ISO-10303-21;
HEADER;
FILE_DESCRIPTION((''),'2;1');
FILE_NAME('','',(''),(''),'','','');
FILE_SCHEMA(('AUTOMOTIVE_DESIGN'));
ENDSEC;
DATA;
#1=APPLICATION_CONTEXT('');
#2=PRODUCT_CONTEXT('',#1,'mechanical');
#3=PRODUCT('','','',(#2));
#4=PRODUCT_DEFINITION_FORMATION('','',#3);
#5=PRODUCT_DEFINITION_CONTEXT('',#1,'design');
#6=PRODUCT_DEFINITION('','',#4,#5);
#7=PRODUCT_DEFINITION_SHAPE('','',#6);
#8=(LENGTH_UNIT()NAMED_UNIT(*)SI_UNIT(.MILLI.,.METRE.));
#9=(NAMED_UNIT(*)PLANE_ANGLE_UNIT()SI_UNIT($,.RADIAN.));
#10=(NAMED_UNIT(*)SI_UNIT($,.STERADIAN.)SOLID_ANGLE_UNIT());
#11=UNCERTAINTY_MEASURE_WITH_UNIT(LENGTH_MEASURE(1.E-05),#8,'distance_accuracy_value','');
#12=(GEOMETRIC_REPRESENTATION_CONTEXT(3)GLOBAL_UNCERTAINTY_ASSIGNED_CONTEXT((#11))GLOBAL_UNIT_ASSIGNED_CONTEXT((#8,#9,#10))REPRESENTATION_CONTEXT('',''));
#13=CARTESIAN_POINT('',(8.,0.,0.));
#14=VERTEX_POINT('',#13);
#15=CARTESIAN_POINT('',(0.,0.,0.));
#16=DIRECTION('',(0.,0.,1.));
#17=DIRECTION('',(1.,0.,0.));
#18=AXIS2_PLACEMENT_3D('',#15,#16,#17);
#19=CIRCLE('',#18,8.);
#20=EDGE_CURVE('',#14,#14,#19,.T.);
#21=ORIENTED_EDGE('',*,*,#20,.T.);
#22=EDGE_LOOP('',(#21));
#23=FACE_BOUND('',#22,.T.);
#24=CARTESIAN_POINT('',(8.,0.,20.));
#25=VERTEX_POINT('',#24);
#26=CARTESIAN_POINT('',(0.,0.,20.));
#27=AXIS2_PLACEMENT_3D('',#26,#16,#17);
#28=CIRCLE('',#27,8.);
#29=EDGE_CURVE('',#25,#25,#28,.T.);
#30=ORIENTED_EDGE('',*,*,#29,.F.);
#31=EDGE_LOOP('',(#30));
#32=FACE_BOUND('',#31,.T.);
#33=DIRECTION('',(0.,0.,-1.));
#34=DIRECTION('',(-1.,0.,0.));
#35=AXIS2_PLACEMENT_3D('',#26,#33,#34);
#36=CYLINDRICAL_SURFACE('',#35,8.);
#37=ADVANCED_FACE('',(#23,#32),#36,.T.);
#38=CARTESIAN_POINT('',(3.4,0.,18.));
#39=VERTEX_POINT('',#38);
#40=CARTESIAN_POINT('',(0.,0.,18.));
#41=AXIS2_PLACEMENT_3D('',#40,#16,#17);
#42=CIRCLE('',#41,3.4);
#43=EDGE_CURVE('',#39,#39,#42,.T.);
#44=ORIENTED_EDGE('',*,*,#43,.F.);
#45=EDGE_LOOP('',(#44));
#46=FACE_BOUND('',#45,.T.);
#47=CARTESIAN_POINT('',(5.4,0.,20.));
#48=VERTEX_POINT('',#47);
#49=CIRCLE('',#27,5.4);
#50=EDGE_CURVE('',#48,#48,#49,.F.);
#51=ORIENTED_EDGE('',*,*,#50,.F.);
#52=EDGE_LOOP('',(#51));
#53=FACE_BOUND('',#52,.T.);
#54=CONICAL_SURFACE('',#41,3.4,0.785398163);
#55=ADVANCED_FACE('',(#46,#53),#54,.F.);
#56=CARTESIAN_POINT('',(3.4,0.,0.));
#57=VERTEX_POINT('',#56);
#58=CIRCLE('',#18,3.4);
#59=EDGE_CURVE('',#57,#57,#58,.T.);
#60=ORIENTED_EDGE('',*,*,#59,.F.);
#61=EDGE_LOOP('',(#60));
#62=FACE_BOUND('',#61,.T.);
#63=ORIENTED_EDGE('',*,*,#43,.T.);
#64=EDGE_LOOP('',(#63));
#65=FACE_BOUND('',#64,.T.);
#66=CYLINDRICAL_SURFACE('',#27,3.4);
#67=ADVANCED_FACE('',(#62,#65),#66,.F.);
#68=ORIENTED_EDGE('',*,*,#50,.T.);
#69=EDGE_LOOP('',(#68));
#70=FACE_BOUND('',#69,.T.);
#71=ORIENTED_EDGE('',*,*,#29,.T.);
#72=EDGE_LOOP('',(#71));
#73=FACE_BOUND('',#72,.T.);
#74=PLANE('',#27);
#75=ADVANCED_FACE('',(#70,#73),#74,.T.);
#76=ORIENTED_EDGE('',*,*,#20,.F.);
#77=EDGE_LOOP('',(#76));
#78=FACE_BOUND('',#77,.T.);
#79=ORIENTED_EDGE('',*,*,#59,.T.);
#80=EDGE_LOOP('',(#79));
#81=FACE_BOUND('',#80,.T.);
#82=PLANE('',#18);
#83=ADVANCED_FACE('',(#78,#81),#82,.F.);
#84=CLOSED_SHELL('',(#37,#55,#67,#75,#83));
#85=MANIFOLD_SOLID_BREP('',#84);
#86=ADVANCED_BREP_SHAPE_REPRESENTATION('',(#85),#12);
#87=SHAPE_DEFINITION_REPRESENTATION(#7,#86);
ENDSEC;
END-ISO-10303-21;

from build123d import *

# Parameters (mm, degrees)
SKETCH_1_R        = 8
EXTRUDE_1_DEPTH   = 20
HOLE_WIZARD_M81_D = 6.8
CHAMFER_1_SIZE    = 2


with BuildPart() as part:
    # Эскиз1 → Бобышка-Вытянуть1 (new body)
    with BuildSketch(Plane.XY):
        Circle(SKETCH_1_R)
    extrude(amount=EXTRUDE_1_DEPTH)

    # Отверстие обработанное метчиком M81 (through all)
    with Locations(Plane.XY.offset(20)):
        with Locations((0, 0)):
            Hole(HOLE_WIZARD_M81_D / 2)

    # Фаска1
    chamfer_1_edges = [part.edges().sort_by_distance(p)[0] for p in [
        (3.4, 0, 20),
    ]]
    chamfer(chamfer_1_edges, length=CHAMFER_1_SIZE)


solid = part.part
